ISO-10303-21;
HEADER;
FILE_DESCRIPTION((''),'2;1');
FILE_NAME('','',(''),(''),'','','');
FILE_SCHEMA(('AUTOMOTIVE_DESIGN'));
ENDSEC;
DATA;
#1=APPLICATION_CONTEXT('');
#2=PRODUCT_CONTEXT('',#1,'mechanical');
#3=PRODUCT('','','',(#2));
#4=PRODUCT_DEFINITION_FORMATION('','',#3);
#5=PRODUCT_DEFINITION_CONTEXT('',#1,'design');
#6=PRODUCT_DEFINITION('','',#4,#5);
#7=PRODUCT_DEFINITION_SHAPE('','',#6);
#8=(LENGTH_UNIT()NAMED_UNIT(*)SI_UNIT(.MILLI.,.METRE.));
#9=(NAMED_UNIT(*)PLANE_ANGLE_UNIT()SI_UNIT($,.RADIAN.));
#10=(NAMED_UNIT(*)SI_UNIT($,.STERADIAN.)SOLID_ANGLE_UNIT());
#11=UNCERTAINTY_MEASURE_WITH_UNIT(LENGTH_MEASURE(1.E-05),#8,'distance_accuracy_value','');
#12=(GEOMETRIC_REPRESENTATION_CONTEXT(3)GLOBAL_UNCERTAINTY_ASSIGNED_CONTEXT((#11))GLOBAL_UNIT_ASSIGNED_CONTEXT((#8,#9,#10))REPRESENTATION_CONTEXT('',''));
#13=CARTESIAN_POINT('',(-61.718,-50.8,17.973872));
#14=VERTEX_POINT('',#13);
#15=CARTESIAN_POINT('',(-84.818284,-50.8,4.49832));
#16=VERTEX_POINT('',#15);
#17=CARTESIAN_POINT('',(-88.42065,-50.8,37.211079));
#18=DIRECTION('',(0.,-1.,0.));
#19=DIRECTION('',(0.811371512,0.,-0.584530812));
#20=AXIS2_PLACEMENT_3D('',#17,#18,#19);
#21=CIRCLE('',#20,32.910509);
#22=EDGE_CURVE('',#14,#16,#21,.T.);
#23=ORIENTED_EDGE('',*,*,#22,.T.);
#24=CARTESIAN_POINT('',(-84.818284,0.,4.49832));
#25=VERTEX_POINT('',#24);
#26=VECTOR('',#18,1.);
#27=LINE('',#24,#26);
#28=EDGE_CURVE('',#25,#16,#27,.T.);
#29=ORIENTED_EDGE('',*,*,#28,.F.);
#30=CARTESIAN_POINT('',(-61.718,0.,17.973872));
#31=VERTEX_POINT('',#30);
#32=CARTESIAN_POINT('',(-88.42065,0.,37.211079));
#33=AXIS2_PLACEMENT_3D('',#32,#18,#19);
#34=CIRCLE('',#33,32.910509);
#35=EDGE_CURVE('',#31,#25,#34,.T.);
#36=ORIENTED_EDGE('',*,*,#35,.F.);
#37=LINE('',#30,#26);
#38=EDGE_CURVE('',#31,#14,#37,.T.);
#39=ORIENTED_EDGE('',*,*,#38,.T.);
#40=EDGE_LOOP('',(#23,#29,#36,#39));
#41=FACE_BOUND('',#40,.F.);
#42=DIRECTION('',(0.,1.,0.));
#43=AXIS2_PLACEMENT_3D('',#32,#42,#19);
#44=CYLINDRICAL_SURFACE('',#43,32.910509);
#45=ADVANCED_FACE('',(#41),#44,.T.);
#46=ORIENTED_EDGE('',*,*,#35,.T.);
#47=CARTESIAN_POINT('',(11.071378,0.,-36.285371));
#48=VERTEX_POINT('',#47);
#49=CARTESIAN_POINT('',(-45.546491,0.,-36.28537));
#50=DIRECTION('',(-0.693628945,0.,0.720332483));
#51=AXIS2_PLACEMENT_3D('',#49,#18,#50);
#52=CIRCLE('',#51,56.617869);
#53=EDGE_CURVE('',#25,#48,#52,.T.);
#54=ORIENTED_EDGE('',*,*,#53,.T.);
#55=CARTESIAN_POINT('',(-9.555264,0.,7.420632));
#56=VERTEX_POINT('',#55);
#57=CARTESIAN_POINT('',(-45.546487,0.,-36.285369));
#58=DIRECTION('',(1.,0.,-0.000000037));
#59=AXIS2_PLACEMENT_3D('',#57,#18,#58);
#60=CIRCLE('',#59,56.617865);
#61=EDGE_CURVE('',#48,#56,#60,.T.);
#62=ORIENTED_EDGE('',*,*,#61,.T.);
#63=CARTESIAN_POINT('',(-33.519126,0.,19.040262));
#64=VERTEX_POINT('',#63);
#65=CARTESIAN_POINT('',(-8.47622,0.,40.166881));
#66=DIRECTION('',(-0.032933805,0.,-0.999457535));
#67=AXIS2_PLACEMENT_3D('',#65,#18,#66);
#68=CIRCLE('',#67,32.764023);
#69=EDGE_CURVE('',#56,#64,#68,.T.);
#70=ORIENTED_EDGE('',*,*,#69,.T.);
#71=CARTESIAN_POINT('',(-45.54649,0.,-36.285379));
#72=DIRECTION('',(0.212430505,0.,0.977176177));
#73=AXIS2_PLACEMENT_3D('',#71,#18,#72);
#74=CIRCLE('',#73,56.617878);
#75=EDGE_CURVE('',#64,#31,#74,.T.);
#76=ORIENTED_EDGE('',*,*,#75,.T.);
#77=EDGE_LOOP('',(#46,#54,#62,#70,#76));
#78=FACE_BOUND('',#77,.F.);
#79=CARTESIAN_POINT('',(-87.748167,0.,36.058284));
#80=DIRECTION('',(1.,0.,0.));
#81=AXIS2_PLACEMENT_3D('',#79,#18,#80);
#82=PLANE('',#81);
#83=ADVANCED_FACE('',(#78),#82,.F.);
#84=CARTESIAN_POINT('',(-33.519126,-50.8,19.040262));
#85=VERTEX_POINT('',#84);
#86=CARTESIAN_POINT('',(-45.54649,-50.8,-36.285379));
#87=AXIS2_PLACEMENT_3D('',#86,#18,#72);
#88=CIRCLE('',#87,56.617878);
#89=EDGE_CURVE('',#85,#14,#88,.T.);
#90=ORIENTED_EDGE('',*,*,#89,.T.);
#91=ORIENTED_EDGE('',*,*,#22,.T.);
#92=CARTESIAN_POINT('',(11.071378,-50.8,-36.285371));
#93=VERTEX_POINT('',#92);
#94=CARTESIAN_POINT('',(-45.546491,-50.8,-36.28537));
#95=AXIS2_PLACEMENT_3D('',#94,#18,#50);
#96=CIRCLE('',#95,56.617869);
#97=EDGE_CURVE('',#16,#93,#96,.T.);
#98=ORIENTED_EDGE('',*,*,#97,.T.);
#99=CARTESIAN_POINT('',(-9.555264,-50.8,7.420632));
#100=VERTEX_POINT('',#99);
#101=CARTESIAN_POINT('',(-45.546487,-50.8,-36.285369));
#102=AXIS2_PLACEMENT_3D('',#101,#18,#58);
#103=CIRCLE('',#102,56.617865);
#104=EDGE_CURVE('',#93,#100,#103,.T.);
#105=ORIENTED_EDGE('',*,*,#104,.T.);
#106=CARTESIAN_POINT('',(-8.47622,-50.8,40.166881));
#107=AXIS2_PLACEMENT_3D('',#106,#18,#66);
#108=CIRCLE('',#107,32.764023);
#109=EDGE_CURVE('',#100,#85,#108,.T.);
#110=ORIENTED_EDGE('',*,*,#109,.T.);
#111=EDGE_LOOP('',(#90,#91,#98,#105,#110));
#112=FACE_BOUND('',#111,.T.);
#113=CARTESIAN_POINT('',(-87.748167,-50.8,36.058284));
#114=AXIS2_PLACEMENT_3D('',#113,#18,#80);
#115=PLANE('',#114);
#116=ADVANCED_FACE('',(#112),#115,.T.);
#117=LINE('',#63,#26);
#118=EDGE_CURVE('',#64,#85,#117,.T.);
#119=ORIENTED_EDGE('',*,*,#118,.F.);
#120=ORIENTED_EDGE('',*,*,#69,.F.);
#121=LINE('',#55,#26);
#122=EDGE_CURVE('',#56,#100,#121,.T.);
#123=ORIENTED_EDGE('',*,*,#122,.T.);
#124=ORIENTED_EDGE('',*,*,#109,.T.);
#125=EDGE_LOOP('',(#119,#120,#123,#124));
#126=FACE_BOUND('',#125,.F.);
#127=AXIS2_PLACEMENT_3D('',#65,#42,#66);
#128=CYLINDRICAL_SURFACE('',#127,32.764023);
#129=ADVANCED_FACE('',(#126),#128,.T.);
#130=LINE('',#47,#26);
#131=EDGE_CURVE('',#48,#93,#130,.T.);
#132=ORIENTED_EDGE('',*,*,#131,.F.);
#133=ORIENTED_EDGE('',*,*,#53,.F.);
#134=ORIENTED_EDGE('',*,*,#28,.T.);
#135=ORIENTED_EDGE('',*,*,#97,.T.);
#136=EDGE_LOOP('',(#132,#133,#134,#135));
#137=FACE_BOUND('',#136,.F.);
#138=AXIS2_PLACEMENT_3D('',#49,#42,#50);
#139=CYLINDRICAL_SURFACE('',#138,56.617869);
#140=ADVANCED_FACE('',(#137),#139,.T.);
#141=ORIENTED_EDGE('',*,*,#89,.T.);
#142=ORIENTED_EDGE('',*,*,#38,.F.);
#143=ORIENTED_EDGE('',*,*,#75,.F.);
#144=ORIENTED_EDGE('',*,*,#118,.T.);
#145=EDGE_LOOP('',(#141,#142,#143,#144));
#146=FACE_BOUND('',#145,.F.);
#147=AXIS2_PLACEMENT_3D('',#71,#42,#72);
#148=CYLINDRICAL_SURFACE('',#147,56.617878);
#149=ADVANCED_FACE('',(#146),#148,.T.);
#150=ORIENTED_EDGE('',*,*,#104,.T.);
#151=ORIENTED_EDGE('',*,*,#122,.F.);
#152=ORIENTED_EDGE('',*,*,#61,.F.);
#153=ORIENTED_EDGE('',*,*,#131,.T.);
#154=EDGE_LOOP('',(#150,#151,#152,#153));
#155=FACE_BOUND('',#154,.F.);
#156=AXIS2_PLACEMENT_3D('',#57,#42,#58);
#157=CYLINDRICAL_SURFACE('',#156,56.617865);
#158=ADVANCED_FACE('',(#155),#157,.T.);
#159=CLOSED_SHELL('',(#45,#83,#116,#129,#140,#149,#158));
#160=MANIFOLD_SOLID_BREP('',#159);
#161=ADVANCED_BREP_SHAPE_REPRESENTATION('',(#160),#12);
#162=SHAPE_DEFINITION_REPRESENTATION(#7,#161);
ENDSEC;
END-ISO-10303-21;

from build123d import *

# Parameters (mm, degrees)
F2_DEPTH = 50.8
F1_R     = 10.802579
F1_R_2   = 10.017442
F3_DEPTH = 25.4


with BuildPart() as f2:
    # F0 (on Front) → F2 (new body)
    with BuildSketch(Plane.XZ):
        with BuildLine():
            ThreePointArc((-84.818284, 4.49832), (-74.075205, 12.619594), (-61.718, 17.973872))
            ThreePointArc((-61.718, 17.973872), (-105.003657, 65.638275), (-84.818284, 4.49832))
        make_face()
        with BuildLine():
            ThreePointArc((-33.519126, 19.040262), (-47.686065, 20.292057), (-61.718, 17.973872))
            ThreePointArc((-61.718, 17.973872), (-74.075205, 12.619594), (-84.818284, 4.49832))
            ThreePointArc((-84.818284, 4.49832), (-67.706115, -88.386562), (11.071378, -36.285371))
            ThreePointArc((11.071378, -36.285371), (5.655705, -12.12097), (-9.555264, 7.420632))
            ThreePointArc((-9.555264, 7.420632), (-20.844259, 14.65953), (-33.519126, 19.040262))
        make_face()
        with BuildLine():
            ThreePointArc((-9.555264, 7.420632), (5.818639, 69.648031), (-33.519126, 19.040262))
            ThreePointArc((-33.519126, 19.040262), (-20.844259, 14.65953), (-9.555264, 7.420632))
        make_face()
    extrude(amount=F2_DEPTH)

    # F1 (on Front) → F3 (cut)
    with BuildSketch(Plane.XZ):
        with Locations((-75.122081, -19.301618)):
            Circle(F1_R)
        with Locations((-25.931325, -18.290848)):
            Circle(F1_R_2)
    extrude(amount=-F3_DEPTH, mode=Mode.SUBTRACT)


solid = f2.part
